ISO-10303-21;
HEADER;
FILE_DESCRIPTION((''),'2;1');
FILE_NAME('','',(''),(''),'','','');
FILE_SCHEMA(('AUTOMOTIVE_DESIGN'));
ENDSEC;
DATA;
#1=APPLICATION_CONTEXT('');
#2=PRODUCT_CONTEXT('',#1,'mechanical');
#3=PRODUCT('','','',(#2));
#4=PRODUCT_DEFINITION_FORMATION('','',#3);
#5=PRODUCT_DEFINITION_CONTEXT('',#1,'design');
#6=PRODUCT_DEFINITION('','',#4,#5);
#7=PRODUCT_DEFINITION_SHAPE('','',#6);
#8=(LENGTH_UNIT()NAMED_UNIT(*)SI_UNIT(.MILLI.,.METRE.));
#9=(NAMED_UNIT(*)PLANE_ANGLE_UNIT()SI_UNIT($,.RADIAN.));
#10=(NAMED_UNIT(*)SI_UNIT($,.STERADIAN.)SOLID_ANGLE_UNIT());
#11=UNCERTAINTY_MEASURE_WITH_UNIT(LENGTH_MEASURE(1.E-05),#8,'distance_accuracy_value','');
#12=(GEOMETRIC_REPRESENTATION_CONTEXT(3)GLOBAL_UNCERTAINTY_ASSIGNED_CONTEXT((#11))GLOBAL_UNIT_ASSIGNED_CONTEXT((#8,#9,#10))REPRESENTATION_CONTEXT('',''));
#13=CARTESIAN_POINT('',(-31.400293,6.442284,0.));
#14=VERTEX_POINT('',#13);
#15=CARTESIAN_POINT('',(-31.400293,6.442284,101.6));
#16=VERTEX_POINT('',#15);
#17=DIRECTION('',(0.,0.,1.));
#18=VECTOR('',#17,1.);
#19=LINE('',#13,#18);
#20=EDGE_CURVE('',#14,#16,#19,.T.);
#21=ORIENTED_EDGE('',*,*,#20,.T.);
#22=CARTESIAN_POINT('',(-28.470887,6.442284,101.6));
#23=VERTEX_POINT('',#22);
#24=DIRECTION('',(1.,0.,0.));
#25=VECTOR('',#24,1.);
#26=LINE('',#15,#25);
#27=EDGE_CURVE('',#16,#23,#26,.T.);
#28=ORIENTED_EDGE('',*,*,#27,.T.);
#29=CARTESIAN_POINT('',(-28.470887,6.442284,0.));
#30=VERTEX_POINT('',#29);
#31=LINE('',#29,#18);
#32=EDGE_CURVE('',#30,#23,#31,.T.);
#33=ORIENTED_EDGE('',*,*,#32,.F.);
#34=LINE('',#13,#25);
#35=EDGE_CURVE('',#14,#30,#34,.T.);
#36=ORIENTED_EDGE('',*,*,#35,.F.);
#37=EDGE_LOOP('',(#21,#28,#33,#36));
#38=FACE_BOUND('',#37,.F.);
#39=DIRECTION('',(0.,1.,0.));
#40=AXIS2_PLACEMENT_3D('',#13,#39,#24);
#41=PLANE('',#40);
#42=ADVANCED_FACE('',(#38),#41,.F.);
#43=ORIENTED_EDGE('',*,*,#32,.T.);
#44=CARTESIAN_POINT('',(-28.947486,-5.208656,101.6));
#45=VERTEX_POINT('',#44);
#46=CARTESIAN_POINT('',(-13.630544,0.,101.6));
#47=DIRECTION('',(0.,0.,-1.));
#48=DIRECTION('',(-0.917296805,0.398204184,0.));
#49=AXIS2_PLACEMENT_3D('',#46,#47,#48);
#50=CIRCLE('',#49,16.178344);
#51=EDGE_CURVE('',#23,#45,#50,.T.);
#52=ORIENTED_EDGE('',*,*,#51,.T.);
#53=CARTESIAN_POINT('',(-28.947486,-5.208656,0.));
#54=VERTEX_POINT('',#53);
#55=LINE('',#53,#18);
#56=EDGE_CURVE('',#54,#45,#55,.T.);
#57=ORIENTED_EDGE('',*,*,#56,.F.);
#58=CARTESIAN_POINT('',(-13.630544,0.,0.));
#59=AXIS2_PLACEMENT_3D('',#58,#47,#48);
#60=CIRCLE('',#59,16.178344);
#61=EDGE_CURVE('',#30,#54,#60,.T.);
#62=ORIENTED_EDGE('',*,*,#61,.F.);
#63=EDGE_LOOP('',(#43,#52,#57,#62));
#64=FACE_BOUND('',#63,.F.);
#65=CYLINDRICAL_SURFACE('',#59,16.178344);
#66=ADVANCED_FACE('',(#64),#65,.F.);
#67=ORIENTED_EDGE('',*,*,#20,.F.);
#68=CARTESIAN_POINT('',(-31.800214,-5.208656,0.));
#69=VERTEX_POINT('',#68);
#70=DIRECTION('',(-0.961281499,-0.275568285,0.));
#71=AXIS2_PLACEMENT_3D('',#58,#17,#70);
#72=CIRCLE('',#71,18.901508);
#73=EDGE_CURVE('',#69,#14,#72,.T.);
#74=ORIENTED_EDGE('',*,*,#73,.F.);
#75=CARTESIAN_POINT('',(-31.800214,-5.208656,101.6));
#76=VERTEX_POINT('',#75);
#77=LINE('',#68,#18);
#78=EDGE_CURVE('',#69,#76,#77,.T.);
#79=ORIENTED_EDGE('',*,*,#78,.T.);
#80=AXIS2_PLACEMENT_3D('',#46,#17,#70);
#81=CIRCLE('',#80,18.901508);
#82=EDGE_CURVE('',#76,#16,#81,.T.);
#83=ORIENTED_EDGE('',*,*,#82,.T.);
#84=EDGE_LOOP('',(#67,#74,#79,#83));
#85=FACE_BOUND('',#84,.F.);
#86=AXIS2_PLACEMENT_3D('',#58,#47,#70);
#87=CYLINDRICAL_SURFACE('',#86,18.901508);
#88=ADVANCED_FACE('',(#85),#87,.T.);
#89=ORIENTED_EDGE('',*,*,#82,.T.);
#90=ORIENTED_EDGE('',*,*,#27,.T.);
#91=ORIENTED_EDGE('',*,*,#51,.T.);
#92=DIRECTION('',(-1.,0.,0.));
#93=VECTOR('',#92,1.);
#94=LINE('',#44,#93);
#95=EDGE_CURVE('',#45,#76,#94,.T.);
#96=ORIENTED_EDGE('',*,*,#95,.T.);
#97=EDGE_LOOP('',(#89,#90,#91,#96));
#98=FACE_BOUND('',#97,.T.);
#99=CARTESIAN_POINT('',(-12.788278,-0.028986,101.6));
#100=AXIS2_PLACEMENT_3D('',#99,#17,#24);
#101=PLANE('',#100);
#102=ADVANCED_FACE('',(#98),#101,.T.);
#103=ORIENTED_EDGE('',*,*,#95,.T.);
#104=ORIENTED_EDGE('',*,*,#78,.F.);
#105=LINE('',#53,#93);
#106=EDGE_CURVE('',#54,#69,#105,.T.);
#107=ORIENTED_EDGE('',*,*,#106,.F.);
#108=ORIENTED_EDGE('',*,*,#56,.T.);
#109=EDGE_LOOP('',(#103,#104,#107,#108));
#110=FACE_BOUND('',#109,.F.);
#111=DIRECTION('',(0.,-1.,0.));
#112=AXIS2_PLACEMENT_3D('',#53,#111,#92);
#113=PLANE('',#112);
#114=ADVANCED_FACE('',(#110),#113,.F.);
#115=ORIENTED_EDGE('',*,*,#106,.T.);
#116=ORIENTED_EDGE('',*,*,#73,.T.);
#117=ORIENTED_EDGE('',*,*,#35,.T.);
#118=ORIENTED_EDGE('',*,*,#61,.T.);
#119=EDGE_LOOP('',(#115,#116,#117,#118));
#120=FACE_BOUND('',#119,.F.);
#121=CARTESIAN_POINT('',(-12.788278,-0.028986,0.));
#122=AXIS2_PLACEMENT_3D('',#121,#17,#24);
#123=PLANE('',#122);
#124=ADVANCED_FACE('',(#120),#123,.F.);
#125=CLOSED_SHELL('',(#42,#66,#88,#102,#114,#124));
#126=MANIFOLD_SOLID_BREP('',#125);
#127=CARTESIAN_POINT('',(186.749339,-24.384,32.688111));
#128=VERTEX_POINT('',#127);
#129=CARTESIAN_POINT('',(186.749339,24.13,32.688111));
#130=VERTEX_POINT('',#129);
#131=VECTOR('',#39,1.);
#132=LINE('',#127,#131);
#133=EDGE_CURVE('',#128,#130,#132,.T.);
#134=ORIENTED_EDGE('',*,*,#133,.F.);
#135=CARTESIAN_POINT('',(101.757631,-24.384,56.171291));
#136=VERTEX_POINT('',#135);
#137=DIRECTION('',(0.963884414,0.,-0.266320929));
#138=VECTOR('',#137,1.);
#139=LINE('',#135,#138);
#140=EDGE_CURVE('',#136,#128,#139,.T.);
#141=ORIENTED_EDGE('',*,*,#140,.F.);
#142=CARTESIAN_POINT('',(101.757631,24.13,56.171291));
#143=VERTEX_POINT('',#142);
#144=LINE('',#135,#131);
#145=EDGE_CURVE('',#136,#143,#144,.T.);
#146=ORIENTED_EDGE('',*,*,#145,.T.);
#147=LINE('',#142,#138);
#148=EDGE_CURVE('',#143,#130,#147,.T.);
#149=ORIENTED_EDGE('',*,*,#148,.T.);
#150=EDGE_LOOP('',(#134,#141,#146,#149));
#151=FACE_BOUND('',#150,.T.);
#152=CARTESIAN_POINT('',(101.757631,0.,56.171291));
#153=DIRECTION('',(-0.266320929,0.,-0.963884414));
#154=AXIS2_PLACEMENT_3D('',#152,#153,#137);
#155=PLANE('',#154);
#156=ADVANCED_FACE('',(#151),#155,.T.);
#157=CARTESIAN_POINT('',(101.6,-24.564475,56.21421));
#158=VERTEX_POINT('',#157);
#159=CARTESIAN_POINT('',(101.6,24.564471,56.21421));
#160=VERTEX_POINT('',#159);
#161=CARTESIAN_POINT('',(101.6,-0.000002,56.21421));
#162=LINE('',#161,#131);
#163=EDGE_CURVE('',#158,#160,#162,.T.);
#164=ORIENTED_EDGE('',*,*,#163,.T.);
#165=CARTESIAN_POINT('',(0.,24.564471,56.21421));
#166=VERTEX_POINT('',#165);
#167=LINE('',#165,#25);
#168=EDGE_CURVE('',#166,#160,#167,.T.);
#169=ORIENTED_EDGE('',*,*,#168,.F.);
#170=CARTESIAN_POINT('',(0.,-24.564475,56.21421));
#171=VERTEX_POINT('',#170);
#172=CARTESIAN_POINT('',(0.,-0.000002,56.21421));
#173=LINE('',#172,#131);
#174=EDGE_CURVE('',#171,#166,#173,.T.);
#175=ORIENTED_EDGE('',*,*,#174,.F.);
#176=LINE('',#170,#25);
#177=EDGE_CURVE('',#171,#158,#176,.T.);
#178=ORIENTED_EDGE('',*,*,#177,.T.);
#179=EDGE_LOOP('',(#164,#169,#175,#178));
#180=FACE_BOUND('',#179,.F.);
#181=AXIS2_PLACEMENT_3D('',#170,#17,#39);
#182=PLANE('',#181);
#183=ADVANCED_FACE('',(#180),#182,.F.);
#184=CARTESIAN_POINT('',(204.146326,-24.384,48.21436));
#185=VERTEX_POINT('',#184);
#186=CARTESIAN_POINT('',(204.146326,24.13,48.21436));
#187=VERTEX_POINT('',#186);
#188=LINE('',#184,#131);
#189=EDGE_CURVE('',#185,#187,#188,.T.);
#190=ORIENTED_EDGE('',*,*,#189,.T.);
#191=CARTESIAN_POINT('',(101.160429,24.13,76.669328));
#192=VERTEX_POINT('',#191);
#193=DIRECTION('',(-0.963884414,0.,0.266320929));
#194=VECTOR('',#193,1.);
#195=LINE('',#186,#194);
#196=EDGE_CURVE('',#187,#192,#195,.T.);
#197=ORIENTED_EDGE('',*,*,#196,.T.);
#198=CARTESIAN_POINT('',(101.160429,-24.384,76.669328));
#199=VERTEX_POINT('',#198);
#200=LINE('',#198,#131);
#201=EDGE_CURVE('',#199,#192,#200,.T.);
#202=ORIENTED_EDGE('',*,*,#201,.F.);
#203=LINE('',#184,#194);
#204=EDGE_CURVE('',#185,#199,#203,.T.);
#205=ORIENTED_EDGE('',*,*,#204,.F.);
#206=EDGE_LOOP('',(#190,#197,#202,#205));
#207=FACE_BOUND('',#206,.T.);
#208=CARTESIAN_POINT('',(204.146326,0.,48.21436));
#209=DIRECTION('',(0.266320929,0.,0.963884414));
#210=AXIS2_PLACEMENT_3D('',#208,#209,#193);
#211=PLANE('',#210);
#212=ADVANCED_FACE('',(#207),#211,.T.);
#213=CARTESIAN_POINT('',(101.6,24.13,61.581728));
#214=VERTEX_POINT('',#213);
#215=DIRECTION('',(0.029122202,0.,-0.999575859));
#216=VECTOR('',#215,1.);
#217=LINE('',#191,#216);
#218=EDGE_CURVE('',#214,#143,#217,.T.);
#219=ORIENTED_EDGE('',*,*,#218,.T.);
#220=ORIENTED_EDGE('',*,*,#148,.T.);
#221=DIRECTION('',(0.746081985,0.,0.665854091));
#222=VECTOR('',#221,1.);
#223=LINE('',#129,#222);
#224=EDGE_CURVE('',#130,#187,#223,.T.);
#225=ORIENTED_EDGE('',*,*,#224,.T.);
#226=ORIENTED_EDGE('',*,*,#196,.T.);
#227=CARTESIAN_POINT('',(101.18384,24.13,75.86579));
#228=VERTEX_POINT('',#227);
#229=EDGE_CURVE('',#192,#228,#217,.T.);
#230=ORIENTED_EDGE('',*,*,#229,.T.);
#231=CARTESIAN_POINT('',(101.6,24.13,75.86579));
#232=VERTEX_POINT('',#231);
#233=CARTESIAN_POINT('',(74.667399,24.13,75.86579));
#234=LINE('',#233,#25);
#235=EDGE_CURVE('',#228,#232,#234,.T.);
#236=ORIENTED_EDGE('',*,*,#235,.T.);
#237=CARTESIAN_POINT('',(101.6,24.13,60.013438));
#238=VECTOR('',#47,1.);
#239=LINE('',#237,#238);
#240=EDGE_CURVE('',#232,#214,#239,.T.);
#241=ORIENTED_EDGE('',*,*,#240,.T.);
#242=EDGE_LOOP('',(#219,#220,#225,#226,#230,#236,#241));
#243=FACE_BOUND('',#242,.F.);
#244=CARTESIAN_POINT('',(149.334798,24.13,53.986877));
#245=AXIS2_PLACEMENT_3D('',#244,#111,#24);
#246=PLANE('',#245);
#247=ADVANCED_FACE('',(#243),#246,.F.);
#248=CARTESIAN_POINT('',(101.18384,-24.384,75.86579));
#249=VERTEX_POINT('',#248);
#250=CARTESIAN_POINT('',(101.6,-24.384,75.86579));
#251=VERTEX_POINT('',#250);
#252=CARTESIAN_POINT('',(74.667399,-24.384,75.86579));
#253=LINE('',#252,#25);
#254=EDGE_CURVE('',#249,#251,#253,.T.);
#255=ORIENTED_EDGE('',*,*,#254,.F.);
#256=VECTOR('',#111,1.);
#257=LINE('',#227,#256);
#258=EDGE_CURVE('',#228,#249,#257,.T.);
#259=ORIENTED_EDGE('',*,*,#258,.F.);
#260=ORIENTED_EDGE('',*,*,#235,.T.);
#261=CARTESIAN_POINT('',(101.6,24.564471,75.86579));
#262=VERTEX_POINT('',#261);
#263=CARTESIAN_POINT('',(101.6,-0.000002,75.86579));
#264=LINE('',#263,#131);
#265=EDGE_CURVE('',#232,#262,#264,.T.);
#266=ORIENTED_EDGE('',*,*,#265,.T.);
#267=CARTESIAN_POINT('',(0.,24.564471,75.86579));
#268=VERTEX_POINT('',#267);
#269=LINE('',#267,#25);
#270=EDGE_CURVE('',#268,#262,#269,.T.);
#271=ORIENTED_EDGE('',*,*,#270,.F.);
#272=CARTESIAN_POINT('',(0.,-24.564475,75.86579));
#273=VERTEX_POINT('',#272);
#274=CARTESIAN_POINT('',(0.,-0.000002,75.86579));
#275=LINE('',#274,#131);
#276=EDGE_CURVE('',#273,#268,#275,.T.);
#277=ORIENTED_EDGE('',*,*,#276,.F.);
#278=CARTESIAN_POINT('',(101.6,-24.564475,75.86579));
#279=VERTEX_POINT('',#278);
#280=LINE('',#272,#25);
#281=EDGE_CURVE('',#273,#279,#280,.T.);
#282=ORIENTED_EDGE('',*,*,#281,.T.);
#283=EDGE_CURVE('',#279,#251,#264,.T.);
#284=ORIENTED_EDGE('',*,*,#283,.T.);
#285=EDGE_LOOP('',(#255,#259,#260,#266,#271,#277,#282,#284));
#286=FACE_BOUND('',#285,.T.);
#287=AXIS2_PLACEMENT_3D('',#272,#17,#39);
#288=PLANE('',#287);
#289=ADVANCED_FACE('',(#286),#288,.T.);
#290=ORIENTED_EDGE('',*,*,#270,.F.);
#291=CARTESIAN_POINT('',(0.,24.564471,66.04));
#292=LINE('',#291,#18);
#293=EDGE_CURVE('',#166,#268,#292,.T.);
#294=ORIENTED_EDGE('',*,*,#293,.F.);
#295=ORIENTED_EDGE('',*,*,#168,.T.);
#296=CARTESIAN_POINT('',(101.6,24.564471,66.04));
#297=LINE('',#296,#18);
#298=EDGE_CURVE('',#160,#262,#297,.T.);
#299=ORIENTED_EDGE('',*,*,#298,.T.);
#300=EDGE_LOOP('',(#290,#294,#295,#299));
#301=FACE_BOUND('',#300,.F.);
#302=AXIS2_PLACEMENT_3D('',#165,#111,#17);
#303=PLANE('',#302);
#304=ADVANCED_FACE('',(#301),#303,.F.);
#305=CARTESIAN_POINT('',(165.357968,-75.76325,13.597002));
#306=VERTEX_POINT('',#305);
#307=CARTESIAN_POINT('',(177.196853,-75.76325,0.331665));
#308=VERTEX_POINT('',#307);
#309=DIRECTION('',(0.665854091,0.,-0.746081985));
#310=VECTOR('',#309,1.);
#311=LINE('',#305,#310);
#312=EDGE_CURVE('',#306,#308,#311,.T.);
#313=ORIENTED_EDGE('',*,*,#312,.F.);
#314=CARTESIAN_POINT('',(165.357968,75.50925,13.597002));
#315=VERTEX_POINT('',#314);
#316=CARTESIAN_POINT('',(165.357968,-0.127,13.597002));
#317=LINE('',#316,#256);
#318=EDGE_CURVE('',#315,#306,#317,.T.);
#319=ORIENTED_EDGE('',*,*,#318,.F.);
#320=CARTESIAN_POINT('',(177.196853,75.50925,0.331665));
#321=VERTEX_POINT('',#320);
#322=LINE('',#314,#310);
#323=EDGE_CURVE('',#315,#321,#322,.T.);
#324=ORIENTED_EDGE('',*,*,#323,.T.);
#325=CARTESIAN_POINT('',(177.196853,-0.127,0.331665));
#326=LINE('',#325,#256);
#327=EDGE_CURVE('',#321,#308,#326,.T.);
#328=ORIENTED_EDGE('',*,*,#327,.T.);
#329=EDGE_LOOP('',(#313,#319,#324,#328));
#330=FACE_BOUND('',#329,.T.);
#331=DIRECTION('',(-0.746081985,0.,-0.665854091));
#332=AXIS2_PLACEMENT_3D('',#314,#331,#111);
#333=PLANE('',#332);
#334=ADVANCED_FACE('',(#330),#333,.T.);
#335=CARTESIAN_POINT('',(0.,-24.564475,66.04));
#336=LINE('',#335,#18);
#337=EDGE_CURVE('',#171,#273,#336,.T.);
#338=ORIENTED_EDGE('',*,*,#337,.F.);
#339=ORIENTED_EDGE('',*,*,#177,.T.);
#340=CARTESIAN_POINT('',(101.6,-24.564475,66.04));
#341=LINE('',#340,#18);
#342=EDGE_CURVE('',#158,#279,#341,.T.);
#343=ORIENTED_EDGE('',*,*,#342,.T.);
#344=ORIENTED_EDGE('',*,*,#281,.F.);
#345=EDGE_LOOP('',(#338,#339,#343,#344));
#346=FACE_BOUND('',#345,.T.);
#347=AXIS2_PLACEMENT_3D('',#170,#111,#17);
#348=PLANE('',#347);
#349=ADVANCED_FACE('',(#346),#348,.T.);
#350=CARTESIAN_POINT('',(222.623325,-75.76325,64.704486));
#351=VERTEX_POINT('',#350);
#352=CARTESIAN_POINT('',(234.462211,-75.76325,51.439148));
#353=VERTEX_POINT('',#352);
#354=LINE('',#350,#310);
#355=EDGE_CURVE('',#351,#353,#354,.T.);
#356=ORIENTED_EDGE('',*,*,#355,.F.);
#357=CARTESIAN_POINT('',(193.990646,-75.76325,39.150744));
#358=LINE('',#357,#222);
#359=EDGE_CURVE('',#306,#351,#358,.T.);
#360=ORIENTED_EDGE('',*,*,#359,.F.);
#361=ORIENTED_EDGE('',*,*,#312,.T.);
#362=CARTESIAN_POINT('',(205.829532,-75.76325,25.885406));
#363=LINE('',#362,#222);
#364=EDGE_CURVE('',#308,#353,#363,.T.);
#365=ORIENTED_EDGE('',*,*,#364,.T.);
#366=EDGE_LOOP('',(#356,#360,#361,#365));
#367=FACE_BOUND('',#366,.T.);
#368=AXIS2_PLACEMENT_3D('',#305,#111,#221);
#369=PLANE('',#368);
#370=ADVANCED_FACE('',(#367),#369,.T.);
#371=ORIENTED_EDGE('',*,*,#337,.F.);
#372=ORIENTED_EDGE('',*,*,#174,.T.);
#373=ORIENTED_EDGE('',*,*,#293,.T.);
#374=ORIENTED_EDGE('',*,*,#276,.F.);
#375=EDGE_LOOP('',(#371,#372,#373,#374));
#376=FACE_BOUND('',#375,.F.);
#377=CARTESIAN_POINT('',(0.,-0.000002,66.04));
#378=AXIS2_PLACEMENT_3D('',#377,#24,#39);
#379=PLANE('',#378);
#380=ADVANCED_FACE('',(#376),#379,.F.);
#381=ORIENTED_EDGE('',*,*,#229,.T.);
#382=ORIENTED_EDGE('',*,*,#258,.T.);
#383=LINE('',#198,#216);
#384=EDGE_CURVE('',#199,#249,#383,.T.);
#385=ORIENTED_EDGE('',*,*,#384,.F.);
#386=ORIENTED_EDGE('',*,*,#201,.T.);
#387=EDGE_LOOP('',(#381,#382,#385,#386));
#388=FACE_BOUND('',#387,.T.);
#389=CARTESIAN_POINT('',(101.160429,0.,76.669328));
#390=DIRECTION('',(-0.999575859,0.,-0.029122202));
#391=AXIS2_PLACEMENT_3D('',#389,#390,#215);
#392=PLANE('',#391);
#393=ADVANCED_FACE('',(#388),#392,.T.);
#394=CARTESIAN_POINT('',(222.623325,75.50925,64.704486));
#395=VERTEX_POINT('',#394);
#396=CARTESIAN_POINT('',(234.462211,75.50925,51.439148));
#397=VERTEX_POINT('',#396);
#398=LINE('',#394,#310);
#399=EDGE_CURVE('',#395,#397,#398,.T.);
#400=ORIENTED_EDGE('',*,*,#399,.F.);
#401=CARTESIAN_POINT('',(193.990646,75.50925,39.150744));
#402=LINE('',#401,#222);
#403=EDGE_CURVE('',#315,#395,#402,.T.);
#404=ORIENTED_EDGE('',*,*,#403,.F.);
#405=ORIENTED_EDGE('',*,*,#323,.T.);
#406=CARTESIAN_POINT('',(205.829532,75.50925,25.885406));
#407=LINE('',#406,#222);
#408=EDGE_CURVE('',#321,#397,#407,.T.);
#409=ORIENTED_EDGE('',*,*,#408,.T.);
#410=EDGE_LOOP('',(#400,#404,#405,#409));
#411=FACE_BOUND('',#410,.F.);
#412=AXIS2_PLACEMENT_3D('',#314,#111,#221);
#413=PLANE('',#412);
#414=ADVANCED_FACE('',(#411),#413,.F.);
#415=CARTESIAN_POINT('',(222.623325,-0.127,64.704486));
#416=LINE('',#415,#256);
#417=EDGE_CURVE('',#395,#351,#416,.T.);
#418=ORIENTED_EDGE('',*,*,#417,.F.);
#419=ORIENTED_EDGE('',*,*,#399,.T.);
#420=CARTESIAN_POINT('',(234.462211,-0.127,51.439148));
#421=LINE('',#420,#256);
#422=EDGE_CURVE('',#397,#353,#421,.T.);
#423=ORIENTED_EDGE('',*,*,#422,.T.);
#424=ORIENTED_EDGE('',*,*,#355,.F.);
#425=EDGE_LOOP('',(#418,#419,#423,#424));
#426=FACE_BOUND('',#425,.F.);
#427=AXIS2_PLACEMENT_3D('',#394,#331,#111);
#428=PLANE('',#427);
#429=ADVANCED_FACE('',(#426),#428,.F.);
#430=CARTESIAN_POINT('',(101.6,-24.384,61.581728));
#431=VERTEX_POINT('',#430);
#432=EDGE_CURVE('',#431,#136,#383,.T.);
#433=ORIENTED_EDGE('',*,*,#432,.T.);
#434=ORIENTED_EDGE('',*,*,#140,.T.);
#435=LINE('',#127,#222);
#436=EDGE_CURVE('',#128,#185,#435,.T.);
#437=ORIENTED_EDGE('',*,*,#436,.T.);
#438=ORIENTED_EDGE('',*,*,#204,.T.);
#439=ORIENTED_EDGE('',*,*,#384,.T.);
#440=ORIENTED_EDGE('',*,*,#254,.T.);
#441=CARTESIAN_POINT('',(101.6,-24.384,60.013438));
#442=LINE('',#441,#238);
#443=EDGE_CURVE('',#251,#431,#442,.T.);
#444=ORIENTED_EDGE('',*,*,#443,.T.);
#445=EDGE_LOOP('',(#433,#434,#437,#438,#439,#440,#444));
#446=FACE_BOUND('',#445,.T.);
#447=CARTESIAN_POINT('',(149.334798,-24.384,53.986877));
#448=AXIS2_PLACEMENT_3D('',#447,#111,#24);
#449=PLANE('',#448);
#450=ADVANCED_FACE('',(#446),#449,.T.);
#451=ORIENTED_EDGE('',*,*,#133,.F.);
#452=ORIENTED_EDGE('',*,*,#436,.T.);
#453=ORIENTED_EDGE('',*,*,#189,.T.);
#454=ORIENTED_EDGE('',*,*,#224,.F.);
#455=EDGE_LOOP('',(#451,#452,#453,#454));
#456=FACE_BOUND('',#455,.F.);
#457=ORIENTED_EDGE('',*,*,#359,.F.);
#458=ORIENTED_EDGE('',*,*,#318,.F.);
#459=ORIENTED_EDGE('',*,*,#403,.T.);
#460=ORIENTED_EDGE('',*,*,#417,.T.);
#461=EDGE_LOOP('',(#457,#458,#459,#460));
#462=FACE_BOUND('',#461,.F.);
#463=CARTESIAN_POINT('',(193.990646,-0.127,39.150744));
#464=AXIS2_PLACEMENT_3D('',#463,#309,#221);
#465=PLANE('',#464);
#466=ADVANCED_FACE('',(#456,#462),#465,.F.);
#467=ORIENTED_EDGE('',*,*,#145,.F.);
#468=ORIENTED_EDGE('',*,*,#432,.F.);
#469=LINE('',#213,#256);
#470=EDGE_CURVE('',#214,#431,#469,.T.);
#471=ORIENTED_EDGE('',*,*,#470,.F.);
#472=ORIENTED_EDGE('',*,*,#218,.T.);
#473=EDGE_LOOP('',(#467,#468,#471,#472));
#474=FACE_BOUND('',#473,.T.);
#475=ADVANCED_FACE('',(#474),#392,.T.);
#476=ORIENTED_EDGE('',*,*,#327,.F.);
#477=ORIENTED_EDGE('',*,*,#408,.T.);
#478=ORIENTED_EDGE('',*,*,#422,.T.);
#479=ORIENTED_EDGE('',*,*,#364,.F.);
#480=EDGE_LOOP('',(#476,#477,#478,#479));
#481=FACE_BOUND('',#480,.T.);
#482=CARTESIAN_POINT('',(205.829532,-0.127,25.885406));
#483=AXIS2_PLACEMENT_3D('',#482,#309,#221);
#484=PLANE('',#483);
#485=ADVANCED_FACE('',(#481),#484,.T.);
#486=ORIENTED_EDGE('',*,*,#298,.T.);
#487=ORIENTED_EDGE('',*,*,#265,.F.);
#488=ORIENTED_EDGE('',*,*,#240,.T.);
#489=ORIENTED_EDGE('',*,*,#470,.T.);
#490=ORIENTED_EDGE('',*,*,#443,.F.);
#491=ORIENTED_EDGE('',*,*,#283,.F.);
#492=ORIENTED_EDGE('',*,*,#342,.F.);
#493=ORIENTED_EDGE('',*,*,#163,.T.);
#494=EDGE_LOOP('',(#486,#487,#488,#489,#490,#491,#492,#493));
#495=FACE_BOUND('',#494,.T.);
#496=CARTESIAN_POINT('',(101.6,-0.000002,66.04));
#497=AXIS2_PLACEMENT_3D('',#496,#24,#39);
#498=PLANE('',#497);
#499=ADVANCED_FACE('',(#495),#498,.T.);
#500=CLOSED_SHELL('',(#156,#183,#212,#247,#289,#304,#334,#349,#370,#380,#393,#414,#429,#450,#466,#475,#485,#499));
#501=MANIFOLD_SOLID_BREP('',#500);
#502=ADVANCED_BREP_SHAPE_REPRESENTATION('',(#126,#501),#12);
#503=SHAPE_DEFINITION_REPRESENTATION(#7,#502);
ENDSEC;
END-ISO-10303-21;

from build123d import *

# Parameters (mm, degrees)
F1_DEPTH      = 101.6
F2_W          = 49.1289459169
F2_H          = 19.6515806019
F3_DEPTH      = 101.6
F5_DEPTH      = 24.384
F5_DEPTH_BACK = 24.13
F6_W          = 76.7547786236
F6_H          = 151.2725003281
F7_DEPTH      = 17.78


with BuildPart() as f1:
    # F0 (on Top) → F1 (new body)
    with BuildSketch(Plane.XY):
        with BuildLine():
            ThreePointArc((-28.4708873967, 6.4422843053), (2.5342810256, -0.6612460253), (-28.9474863047, -5.2086560369))
            Line((-28.9474863047, -5.2086560369), (-31.8002136599, -5.2086560369))
            ThreePointArc((-31.8002136599, -5.2086560369), (5.2598383056, -0.6484164442), (-31.4002926231, 6.4422843053))
            Line((-31.4002926231, 6.4422843053), (-28.4708873967, 6.4422843053))
        make_face()
    extrude(amount=F1_DEPTH)


with BuildPart() as f3:
    # F2 (on Right) → F3 (new body)
    with BuildSketch(Plane.YZ):
        with Locations((-1.8626e-06, 66.039999947)):
            Rectangle(F2_W, F2_H)
    extrude(amount=F3_DEPTH)

    # F4 (on Front) → F5 (join, two sides)
    with BuildSketch(Plane.XZ) as f5_sk:
        Polygon((101.1604294181, 76.6693279147), (101.7576307058, 56.1712905765), (186.7493391037, 32.6881110668), (204.1463260814, 48.2143604374), align=None)
    extrude(amount=F5_DEPTH)
    extrude(f5_sk.sketch, amount=-F5_DEPTH_BACK)

    # F6 (on face) → F7 (join)
    with BuildSketch(Plane(origin=(66.5586422689, 0, -74.5782065698), x_dir=(0.7460819854, 0, 0.6658540914), z_dir=(0.6658540914, 0, -0.7460819854))):
        with Locations((170.8016097546, 0.127)):
            Rectangle(F6_W, F6_H)
    extrude(amount=F7_DEPTH)


solid = Compound([f1.part, f3.part])
